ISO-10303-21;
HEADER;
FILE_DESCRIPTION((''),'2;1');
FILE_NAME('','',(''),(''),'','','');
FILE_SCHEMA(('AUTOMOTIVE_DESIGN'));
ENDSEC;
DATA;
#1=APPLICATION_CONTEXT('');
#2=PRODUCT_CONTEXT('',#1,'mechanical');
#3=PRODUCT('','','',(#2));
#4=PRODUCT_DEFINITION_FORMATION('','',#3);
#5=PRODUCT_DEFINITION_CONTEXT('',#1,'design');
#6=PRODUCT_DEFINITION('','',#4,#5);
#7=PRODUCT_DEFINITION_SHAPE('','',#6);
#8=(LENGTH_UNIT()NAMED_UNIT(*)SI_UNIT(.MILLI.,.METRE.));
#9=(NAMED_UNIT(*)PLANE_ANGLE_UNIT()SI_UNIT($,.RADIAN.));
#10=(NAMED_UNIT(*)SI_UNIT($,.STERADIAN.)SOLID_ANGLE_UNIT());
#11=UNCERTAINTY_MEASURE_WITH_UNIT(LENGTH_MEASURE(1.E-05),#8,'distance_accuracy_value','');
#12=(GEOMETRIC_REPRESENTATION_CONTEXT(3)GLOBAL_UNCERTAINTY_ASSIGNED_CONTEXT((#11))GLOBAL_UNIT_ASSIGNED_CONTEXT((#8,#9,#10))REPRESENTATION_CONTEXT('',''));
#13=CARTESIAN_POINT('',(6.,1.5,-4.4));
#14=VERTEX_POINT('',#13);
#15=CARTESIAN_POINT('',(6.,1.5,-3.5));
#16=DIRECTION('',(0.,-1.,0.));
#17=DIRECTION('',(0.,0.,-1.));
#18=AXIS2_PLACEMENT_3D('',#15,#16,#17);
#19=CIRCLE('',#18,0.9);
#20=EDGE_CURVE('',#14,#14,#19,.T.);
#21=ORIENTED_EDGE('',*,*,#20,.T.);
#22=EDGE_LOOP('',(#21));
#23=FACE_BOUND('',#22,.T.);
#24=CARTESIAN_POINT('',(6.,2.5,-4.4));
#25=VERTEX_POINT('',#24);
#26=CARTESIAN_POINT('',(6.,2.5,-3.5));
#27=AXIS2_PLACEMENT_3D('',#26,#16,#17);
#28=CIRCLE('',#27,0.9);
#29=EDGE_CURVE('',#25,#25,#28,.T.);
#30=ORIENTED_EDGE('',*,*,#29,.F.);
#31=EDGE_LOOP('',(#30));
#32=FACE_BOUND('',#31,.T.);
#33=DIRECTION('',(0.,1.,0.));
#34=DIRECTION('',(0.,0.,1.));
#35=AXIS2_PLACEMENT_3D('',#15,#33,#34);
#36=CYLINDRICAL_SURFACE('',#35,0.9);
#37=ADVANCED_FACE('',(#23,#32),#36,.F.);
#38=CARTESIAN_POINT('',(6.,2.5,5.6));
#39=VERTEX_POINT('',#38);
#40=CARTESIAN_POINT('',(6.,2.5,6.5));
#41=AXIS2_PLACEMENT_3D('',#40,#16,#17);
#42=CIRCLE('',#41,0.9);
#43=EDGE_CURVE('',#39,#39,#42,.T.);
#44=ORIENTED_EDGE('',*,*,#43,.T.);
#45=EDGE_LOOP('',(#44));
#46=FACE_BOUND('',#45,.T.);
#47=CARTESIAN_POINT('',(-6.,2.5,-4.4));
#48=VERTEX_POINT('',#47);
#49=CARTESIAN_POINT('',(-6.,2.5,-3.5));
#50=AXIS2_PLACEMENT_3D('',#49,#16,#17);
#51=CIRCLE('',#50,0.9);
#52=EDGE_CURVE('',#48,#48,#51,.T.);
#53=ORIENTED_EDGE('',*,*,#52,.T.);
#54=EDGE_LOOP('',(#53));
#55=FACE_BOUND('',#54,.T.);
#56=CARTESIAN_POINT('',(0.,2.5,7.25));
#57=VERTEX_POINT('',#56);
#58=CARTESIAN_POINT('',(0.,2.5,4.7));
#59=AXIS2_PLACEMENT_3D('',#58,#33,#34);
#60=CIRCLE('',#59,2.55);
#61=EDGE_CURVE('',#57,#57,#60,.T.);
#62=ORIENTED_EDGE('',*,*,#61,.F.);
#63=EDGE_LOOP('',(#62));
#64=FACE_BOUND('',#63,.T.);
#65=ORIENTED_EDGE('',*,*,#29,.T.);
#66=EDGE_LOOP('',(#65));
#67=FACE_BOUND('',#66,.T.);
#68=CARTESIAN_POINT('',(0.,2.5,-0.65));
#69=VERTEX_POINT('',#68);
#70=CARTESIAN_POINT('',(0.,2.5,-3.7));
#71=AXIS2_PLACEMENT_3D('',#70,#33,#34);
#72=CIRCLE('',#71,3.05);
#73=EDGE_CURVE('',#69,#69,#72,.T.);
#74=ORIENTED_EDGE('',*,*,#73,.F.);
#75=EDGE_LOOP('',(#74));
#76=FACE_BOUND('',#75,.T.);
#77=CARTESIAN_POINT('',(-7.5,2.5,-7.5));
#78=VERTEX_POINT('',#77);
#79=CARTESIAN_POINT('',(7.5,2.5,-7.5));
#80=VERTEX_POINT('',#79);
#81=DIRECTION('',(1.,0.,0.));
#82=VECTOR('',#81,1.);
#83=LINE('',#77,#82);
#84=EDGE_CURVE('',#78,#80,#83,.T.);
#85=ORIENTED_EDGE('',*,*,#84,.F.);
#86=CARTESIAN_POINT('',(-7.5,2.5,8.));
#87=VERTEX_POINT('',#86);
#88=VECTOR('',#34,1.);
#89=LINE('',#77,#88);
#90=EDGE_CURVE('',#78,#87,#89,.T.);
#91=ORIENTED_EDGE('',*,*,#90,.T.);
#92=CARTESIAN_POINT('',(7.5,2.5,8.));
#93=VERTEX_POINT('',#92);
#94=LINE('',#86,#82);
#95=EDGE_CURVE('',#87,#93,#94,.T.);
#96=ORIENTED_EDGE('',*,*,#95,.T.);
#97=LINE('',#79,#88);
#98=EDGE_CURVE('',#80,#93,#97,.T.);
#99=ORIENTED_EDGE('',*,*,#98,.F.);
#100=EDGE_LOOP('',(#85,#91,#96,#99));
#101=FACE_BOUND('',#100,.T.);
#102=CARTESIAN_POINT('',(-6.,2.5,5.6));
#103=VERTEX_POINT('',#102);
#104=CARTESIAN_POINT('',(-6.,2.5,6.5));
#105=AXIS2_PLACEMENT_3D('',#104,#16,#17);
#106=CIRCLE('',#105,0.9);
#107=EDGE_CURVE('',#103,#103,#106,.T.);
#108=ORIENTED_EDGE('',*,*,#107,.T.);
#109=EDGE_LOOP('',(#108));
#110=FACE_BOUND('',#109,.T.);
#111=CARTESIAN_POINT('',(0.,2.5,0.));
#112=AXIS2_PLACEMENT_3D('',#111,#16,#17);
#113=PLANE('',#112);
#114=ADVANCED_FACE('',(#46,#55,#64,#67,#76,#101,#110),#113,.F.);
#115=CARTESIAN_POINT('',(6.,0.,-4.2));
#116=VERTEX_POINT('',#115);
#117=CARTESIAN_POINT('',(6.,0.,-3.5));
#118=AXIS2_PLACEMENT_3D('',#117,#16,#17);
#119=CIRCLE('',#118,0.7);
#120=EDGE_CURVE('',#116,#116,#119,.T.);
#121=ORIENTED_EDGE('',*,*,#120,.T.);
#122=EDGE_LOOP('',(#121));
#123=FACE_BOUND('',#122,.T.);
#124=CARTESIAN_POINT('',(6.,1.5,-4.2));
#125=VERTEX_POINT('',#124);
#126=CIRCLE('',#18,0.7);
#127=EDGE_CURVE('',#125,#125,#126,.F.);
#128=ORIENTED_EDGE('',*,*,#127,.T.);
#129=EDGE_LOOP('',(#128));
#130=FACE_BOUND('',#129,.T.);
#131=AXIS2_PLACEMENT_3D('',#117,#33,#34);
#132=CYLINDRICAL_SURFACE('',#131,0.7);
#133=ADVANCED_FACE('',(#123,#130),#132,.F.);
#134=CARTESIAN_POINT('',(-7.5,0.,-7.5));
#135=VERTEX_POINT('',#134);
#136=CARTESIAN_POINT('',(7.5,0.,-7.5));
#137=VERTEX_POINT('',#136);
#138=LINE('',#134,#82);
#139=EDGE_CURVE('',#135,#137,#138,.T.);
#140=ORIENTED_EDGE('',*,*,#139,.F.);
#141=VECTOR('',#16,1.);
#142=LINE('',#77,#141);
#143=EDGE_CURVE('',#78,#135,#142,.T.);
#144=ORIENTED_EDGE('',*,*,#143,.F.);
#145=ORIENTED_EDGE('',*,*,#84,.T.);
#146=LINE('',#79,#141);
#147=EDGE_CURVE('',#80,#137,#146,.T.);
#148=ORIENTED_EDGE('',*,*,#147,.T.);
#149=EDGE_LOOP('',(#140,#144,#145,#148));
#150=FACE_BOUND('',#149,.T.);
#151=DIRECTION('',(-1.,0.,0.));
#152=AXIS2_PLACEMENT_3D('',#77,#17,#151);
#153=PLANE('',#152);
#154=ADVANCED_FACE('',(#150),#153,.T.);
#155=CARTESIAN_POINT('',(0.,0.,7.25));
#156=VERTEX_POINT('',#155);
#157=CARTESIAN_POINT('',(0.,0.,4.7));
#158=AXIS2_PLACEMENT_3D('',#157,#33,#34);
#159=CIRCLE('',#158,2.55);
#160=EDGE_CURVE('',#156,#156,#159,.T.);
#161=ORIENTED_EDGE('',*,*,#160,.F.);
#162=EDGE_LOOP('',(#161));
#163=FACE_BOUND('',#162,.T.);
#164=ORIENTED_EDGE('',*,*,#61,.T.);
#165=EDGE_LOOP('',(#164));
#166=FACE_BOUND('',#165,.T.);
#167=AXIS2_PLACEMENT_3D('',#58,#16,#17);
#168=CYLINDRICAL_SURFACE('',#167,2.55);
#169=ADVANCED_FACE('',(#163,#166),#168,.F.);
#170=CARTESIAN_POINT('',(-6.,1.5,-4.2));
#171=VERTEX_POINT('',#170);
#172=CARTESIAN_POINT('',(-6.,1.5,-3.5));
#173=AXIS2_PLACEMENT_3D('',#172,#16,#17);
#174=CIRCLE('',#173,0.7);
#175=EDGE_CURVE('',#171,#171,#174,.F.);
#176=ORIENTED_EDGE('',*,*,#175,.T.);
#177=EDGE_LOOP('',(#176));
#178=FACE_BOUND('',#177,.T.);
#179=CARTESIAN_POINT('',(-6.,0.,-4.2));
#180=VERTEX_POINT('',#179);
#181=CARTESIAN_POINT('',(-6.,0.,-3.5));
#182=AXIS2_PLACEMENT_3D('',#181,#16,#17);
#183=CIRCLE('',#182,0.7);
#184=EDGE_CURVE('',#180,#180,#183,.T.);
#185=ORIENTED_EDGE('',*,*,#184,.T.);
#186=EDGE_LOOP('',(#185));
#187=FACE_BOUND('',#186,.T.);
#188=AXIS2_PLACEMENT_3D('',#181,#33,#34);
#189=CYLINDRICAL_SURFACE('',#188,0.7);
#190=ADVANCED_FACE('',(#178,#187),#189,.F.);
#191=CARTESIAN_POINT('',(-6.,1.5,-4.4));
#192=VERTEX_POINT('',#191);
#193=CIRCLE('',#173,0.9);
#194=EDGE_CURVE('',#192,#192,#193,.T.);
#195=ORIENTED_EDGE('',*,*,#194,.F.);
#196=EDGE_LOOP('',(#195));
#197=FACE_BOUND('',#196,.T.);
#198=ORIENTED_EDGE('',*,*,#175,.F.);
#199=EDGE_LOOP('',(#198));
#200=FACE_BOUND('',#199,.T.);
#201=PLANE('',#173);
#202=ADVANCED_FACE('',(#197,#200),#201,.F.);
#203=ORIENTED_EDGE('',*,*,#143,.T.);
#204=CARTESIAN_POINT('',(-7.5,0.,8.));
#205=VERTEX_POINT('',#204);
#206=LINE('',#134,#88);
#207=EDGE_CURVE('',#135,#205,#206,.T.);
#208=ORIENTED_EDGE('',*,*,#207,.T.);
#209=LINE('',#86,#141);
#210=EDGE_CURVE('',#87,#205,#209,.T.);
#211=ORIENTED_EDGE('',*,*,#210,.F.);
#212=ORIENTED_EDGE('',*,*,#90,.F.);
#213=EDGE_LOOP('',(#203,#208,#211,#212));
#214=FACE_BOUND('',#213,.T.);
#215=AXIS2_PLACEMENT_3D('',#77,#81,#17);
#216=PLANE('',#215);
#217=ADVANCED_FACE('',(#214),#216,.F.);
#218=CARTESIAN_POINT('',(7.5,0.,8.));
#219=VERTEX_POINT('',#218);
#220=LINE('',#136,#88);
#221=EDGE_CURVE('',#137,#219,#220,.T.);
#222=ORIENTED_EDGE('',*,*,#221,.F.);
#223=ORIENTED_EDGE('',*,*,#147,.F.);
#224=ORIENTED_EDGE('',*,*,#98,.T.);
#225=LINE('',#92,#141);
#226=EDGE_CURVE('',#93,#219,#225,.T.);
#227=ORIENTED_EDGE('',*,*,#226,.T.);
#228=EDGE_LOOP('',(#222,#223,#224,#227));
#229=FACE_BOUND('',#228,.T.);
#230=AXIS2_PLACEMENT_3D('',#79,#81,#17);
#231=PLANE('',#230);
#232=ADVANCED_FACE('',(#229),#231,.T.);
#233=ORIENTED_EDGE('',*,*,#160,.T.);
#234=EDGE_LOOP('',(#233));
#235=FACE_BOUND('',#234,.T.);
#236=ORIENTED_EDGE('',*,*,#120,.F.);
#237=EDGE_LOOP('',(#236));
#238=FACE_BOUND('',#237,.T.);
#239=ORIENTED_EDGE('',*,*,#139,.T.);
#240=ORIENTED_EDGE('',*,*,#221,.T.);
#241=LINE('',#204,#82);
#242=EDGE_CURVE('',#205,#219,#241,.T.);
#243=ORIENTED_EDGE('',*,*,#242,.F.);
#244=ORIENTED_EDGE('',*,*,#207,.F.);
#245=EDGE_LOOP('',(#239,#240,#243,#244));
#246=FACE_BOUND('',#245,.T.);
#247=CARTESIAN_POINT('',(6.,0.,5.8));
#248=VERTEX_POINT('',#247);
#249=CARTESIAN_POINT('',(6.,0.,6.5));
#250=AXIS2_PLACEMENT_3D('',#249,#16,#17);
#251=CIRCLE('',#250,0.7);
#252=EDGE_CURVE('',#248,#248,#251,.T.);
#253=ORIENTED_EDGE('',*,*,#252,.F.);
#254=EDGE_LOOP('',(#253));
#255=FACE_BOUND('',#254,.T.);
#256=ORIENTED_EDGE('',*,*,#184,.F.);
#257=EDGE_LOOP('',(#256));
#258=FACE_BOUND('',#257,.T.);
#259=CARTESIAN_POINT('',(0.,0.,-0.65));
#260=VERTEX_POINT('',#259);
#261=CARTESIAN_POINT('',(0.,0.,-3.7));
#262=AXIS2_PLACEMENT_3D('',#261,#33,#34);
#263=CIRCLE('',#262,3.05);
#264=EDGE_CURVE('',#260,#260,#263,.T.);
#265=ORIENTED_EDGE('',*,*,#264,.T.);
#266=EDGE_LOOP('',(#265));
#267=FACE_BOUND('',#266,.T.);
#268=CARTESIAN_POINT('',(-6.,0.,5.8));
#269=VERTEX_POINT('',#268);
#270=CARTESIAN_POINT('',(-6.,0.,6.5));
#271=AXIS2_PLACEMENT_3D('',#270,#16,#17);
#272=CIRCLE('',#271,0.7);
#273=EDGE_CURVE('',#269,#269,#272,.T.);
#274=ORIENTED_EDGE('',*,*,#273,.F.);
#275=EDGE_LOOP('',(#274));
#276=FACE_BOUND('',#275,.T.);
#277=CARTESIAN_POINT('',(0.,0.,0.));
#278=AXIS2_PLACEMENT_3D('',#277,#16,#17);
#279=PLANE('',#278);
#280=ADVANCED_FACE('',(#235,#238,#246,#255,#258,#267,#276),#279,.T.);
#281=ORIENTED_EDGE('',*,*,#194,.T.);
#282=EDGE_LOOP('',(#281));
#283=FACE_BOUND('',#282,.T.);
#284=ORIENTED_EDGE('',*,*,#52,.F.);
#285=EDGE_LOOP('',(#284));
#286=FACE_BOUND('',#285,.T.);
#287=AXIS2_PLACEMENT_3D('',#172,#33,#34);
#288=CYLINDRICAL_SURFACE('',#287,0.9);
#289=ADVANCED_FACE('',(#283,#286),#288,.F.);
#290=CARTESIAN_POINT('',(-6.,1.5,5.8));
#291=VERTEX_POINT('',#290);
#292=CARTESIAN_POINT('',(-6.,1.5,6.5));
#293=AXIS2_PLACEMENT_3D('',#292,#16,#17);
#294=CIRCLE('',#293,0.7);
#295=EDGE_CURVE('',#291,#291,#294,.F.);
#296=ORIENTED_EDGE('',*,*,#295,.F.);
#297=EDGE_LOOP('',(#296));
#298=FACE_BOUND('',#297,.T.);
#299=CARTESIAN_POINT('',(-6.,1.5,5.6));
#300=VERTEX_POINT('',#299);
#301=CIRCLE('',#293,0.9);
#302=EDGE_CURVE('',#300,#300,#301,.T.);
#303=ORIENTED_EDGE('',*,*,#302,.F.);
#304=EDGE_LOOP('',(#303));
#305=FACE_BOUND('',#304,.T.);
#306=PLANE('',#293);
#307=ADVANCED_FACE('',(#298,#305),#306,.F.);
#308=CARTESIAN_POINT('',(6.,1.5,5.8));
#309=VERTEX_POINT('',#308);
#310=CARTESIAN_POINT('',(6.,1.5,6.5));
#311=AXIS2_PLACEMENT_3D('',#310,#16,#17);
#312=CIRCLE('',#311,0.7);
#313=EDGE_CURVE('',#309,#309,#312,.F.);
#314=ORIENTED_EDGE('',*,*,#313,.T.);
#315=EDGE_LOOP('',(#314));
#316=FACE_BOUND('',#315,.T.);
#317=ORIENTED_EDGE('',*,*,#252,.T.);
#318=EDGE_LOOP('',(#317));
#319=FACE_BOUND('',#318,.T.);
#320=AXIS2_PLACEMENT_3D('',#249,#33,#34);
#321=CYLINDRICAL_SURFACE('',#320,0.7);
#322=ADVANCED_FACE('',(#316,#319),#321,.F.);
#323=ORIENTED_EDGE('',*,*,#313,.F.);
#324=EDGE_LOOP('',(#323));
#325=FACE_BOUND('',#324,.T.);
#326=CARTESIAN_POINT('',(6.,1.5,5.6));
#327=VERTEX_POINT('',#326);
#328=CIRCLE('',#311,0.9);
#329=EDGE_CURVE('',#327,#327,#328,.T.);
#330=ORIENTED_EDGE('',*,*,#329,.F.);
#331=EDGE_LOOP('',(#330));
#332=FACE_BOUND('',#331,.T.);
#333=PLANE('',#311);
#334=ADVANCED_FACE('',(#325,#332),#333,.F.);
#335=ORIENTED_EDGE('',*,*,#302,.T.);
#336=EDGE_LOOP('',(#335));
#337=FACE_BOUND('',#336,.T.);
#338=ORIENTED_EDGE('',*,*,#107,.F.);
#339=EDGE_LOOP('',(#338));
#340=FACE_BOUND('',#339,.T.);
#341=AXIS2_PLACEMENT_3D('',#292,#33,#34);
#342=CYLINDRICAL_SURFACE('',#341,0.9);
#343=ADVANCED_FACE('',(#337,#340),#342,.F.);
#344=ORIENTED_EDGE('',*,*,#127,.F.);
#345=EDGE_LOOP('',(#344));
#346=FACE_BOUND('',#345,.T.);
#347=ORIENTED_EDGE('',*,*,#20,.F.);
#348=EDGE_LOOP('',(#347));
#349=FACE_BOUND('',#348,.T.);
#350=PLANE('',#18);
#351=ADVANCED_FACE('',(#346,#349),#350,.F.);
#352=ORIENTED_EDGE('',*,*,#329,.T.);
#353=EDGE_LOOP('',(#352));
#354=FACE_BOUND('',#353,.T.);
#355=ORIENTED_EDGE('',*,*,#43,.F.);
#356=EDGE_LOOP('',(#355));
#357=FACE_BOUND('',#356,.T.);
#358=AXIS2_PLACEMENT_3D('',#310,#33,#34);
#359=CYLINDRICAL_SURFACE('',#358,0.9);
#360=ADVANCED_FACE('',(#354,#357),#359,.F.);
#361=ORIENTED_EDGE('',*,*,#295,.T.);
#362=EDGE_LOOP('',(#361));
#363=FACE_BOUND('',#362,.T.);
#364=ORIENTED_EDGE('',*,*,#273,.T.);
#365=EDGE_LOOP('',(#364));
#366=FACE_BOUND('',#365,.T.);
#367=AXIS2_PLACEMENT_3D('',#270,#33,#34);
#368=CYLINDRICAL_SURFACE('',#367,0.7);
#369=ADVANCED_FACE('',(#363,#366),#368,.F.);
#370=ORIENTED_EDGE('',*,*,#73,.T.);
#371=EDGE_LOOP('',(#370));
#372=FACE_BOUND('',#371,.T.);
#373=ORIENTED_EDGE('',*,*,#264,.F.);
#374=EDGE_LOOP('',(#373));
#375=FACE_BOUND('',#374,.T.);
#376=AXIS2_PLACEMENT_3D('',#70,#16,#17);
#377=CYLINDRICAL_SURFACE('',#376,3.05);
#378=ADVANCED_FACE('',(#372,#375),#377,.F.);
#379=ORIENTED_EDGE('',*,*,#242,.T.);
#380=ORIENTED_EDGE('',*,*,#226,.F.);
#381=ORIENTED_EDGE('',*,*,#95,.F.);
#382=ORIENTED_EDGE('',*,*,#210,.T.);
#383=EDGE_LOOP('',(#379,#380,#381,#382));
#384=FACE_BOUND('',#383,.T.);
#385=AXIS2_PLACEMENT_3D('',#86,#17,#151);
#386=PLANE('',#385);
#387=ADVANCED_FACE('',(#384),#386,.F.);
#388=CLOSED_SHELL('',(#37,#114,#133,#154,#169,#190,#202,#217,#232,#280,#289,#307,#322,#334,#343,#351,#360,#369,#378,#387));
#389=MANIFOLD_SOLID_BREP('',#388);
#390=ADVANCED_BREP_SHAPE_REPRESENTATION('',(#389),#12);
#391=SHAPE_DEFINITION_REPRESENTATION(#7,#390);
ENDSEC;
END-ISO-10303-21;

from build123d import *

# Parameters (mm, degrees)
SKETCH_1_W          = 15
SKETCH_1_H          = 15.5
SKETCH_1_R          = 2.55
SKETCH_1_R_2        = 3.05
EXTRUDE_1_DEPTH     = 2.5
CUT_EXTRUDE_START   = 2.5
SKETCH_1_4_R        = 0.9
CUT_EXTRUDE_2_DEPTH = 1
SKETCH_1_5_R        = 0.7
CUT_EXTRUDE_3_DEPTH = 14.747221879


with BuildPart() as part:
    # 草图1 → 凸台-拉伸1 (new body)
    with BuildSketch(Plane(origin=(0, 0, 0), x_dir=(1, 0, 0), z_dir=(0, 1, 0))):
        with Locations((0, -0.25)):
            Rectangle(SKETCH_1_W, SKETCH_1_H)
        with Locations(Location((0, -4.7, 0), (0, 0, 270))):
            Circle(SKETCH_1_R, mode=Mode.SUBTRACT)
        with Locations(Location((0, 3.7, 0), (0, 0, 270))):
            Circle(SKETCH_1_R_2, mode=Mode.SUBTRACT)
    extrude(amount=EXTRUDE_1_DEPTH)

    # 草图1<4> → 切除-拉伸2 (cut)
    with BuildSketch(Plane(origin=(0, 0, 0), x_dir=(1, 0, 0), z_dir=(0, 1, 0)).offset(CUT_EXTRUDE_START)):
        with Locations(Location((-6, -6.5, 0), (0, 0, 90))):
            Circle(SKETCH_1_4_R)
        with Locations(Location((6, 3.5, 0), (0, 0, 90))):
            Circle(SKETCH_1_4_R)
        with Locations(Location((-6, 3.5, 0), (0, 0, 90))):
            Circle(SKETCH_1_4_R)
        with Locations(Location((6, -6.5, 0), (0, 0, 90))):
            Circle(SKETCH_1_4_R)
    extrude(amount=-CUT_EXTRUDE_2_DEPTH, mode=Mode.SUBTRACT)

    # 草图1<5> → 切除-拉伸3 (cut, through all)
    with BuildSketch(Plane(origin=(0, 0, 0), x_dir=(1, 0, 0), z_dir=(0, 1, 0)).offset(CUT_EXTRUDE_START)):
        with Locations(Location((-6, -6.5, 0), (0, 0, 90))):
            Circle(SKETCH_1_5_R)
        with Locations(Location((6, 3.5, 0), (0, 0, 90))):
            Circle(SKETCH_1_5_R)
        with Locations(Location((-6, 3.5, 0), (0, 0, 90))):
            Circle(SKETCH_1_5_R)
        with Locations(Location((6, -6.5, 0), (0, 0, 90))):
            Circle(SKETCH_1_5_R)
    extrude(amount=-CUT_EXTRUDE_3_DEPTH, mode=Mode.SUBTRACT)


solid = part.part
